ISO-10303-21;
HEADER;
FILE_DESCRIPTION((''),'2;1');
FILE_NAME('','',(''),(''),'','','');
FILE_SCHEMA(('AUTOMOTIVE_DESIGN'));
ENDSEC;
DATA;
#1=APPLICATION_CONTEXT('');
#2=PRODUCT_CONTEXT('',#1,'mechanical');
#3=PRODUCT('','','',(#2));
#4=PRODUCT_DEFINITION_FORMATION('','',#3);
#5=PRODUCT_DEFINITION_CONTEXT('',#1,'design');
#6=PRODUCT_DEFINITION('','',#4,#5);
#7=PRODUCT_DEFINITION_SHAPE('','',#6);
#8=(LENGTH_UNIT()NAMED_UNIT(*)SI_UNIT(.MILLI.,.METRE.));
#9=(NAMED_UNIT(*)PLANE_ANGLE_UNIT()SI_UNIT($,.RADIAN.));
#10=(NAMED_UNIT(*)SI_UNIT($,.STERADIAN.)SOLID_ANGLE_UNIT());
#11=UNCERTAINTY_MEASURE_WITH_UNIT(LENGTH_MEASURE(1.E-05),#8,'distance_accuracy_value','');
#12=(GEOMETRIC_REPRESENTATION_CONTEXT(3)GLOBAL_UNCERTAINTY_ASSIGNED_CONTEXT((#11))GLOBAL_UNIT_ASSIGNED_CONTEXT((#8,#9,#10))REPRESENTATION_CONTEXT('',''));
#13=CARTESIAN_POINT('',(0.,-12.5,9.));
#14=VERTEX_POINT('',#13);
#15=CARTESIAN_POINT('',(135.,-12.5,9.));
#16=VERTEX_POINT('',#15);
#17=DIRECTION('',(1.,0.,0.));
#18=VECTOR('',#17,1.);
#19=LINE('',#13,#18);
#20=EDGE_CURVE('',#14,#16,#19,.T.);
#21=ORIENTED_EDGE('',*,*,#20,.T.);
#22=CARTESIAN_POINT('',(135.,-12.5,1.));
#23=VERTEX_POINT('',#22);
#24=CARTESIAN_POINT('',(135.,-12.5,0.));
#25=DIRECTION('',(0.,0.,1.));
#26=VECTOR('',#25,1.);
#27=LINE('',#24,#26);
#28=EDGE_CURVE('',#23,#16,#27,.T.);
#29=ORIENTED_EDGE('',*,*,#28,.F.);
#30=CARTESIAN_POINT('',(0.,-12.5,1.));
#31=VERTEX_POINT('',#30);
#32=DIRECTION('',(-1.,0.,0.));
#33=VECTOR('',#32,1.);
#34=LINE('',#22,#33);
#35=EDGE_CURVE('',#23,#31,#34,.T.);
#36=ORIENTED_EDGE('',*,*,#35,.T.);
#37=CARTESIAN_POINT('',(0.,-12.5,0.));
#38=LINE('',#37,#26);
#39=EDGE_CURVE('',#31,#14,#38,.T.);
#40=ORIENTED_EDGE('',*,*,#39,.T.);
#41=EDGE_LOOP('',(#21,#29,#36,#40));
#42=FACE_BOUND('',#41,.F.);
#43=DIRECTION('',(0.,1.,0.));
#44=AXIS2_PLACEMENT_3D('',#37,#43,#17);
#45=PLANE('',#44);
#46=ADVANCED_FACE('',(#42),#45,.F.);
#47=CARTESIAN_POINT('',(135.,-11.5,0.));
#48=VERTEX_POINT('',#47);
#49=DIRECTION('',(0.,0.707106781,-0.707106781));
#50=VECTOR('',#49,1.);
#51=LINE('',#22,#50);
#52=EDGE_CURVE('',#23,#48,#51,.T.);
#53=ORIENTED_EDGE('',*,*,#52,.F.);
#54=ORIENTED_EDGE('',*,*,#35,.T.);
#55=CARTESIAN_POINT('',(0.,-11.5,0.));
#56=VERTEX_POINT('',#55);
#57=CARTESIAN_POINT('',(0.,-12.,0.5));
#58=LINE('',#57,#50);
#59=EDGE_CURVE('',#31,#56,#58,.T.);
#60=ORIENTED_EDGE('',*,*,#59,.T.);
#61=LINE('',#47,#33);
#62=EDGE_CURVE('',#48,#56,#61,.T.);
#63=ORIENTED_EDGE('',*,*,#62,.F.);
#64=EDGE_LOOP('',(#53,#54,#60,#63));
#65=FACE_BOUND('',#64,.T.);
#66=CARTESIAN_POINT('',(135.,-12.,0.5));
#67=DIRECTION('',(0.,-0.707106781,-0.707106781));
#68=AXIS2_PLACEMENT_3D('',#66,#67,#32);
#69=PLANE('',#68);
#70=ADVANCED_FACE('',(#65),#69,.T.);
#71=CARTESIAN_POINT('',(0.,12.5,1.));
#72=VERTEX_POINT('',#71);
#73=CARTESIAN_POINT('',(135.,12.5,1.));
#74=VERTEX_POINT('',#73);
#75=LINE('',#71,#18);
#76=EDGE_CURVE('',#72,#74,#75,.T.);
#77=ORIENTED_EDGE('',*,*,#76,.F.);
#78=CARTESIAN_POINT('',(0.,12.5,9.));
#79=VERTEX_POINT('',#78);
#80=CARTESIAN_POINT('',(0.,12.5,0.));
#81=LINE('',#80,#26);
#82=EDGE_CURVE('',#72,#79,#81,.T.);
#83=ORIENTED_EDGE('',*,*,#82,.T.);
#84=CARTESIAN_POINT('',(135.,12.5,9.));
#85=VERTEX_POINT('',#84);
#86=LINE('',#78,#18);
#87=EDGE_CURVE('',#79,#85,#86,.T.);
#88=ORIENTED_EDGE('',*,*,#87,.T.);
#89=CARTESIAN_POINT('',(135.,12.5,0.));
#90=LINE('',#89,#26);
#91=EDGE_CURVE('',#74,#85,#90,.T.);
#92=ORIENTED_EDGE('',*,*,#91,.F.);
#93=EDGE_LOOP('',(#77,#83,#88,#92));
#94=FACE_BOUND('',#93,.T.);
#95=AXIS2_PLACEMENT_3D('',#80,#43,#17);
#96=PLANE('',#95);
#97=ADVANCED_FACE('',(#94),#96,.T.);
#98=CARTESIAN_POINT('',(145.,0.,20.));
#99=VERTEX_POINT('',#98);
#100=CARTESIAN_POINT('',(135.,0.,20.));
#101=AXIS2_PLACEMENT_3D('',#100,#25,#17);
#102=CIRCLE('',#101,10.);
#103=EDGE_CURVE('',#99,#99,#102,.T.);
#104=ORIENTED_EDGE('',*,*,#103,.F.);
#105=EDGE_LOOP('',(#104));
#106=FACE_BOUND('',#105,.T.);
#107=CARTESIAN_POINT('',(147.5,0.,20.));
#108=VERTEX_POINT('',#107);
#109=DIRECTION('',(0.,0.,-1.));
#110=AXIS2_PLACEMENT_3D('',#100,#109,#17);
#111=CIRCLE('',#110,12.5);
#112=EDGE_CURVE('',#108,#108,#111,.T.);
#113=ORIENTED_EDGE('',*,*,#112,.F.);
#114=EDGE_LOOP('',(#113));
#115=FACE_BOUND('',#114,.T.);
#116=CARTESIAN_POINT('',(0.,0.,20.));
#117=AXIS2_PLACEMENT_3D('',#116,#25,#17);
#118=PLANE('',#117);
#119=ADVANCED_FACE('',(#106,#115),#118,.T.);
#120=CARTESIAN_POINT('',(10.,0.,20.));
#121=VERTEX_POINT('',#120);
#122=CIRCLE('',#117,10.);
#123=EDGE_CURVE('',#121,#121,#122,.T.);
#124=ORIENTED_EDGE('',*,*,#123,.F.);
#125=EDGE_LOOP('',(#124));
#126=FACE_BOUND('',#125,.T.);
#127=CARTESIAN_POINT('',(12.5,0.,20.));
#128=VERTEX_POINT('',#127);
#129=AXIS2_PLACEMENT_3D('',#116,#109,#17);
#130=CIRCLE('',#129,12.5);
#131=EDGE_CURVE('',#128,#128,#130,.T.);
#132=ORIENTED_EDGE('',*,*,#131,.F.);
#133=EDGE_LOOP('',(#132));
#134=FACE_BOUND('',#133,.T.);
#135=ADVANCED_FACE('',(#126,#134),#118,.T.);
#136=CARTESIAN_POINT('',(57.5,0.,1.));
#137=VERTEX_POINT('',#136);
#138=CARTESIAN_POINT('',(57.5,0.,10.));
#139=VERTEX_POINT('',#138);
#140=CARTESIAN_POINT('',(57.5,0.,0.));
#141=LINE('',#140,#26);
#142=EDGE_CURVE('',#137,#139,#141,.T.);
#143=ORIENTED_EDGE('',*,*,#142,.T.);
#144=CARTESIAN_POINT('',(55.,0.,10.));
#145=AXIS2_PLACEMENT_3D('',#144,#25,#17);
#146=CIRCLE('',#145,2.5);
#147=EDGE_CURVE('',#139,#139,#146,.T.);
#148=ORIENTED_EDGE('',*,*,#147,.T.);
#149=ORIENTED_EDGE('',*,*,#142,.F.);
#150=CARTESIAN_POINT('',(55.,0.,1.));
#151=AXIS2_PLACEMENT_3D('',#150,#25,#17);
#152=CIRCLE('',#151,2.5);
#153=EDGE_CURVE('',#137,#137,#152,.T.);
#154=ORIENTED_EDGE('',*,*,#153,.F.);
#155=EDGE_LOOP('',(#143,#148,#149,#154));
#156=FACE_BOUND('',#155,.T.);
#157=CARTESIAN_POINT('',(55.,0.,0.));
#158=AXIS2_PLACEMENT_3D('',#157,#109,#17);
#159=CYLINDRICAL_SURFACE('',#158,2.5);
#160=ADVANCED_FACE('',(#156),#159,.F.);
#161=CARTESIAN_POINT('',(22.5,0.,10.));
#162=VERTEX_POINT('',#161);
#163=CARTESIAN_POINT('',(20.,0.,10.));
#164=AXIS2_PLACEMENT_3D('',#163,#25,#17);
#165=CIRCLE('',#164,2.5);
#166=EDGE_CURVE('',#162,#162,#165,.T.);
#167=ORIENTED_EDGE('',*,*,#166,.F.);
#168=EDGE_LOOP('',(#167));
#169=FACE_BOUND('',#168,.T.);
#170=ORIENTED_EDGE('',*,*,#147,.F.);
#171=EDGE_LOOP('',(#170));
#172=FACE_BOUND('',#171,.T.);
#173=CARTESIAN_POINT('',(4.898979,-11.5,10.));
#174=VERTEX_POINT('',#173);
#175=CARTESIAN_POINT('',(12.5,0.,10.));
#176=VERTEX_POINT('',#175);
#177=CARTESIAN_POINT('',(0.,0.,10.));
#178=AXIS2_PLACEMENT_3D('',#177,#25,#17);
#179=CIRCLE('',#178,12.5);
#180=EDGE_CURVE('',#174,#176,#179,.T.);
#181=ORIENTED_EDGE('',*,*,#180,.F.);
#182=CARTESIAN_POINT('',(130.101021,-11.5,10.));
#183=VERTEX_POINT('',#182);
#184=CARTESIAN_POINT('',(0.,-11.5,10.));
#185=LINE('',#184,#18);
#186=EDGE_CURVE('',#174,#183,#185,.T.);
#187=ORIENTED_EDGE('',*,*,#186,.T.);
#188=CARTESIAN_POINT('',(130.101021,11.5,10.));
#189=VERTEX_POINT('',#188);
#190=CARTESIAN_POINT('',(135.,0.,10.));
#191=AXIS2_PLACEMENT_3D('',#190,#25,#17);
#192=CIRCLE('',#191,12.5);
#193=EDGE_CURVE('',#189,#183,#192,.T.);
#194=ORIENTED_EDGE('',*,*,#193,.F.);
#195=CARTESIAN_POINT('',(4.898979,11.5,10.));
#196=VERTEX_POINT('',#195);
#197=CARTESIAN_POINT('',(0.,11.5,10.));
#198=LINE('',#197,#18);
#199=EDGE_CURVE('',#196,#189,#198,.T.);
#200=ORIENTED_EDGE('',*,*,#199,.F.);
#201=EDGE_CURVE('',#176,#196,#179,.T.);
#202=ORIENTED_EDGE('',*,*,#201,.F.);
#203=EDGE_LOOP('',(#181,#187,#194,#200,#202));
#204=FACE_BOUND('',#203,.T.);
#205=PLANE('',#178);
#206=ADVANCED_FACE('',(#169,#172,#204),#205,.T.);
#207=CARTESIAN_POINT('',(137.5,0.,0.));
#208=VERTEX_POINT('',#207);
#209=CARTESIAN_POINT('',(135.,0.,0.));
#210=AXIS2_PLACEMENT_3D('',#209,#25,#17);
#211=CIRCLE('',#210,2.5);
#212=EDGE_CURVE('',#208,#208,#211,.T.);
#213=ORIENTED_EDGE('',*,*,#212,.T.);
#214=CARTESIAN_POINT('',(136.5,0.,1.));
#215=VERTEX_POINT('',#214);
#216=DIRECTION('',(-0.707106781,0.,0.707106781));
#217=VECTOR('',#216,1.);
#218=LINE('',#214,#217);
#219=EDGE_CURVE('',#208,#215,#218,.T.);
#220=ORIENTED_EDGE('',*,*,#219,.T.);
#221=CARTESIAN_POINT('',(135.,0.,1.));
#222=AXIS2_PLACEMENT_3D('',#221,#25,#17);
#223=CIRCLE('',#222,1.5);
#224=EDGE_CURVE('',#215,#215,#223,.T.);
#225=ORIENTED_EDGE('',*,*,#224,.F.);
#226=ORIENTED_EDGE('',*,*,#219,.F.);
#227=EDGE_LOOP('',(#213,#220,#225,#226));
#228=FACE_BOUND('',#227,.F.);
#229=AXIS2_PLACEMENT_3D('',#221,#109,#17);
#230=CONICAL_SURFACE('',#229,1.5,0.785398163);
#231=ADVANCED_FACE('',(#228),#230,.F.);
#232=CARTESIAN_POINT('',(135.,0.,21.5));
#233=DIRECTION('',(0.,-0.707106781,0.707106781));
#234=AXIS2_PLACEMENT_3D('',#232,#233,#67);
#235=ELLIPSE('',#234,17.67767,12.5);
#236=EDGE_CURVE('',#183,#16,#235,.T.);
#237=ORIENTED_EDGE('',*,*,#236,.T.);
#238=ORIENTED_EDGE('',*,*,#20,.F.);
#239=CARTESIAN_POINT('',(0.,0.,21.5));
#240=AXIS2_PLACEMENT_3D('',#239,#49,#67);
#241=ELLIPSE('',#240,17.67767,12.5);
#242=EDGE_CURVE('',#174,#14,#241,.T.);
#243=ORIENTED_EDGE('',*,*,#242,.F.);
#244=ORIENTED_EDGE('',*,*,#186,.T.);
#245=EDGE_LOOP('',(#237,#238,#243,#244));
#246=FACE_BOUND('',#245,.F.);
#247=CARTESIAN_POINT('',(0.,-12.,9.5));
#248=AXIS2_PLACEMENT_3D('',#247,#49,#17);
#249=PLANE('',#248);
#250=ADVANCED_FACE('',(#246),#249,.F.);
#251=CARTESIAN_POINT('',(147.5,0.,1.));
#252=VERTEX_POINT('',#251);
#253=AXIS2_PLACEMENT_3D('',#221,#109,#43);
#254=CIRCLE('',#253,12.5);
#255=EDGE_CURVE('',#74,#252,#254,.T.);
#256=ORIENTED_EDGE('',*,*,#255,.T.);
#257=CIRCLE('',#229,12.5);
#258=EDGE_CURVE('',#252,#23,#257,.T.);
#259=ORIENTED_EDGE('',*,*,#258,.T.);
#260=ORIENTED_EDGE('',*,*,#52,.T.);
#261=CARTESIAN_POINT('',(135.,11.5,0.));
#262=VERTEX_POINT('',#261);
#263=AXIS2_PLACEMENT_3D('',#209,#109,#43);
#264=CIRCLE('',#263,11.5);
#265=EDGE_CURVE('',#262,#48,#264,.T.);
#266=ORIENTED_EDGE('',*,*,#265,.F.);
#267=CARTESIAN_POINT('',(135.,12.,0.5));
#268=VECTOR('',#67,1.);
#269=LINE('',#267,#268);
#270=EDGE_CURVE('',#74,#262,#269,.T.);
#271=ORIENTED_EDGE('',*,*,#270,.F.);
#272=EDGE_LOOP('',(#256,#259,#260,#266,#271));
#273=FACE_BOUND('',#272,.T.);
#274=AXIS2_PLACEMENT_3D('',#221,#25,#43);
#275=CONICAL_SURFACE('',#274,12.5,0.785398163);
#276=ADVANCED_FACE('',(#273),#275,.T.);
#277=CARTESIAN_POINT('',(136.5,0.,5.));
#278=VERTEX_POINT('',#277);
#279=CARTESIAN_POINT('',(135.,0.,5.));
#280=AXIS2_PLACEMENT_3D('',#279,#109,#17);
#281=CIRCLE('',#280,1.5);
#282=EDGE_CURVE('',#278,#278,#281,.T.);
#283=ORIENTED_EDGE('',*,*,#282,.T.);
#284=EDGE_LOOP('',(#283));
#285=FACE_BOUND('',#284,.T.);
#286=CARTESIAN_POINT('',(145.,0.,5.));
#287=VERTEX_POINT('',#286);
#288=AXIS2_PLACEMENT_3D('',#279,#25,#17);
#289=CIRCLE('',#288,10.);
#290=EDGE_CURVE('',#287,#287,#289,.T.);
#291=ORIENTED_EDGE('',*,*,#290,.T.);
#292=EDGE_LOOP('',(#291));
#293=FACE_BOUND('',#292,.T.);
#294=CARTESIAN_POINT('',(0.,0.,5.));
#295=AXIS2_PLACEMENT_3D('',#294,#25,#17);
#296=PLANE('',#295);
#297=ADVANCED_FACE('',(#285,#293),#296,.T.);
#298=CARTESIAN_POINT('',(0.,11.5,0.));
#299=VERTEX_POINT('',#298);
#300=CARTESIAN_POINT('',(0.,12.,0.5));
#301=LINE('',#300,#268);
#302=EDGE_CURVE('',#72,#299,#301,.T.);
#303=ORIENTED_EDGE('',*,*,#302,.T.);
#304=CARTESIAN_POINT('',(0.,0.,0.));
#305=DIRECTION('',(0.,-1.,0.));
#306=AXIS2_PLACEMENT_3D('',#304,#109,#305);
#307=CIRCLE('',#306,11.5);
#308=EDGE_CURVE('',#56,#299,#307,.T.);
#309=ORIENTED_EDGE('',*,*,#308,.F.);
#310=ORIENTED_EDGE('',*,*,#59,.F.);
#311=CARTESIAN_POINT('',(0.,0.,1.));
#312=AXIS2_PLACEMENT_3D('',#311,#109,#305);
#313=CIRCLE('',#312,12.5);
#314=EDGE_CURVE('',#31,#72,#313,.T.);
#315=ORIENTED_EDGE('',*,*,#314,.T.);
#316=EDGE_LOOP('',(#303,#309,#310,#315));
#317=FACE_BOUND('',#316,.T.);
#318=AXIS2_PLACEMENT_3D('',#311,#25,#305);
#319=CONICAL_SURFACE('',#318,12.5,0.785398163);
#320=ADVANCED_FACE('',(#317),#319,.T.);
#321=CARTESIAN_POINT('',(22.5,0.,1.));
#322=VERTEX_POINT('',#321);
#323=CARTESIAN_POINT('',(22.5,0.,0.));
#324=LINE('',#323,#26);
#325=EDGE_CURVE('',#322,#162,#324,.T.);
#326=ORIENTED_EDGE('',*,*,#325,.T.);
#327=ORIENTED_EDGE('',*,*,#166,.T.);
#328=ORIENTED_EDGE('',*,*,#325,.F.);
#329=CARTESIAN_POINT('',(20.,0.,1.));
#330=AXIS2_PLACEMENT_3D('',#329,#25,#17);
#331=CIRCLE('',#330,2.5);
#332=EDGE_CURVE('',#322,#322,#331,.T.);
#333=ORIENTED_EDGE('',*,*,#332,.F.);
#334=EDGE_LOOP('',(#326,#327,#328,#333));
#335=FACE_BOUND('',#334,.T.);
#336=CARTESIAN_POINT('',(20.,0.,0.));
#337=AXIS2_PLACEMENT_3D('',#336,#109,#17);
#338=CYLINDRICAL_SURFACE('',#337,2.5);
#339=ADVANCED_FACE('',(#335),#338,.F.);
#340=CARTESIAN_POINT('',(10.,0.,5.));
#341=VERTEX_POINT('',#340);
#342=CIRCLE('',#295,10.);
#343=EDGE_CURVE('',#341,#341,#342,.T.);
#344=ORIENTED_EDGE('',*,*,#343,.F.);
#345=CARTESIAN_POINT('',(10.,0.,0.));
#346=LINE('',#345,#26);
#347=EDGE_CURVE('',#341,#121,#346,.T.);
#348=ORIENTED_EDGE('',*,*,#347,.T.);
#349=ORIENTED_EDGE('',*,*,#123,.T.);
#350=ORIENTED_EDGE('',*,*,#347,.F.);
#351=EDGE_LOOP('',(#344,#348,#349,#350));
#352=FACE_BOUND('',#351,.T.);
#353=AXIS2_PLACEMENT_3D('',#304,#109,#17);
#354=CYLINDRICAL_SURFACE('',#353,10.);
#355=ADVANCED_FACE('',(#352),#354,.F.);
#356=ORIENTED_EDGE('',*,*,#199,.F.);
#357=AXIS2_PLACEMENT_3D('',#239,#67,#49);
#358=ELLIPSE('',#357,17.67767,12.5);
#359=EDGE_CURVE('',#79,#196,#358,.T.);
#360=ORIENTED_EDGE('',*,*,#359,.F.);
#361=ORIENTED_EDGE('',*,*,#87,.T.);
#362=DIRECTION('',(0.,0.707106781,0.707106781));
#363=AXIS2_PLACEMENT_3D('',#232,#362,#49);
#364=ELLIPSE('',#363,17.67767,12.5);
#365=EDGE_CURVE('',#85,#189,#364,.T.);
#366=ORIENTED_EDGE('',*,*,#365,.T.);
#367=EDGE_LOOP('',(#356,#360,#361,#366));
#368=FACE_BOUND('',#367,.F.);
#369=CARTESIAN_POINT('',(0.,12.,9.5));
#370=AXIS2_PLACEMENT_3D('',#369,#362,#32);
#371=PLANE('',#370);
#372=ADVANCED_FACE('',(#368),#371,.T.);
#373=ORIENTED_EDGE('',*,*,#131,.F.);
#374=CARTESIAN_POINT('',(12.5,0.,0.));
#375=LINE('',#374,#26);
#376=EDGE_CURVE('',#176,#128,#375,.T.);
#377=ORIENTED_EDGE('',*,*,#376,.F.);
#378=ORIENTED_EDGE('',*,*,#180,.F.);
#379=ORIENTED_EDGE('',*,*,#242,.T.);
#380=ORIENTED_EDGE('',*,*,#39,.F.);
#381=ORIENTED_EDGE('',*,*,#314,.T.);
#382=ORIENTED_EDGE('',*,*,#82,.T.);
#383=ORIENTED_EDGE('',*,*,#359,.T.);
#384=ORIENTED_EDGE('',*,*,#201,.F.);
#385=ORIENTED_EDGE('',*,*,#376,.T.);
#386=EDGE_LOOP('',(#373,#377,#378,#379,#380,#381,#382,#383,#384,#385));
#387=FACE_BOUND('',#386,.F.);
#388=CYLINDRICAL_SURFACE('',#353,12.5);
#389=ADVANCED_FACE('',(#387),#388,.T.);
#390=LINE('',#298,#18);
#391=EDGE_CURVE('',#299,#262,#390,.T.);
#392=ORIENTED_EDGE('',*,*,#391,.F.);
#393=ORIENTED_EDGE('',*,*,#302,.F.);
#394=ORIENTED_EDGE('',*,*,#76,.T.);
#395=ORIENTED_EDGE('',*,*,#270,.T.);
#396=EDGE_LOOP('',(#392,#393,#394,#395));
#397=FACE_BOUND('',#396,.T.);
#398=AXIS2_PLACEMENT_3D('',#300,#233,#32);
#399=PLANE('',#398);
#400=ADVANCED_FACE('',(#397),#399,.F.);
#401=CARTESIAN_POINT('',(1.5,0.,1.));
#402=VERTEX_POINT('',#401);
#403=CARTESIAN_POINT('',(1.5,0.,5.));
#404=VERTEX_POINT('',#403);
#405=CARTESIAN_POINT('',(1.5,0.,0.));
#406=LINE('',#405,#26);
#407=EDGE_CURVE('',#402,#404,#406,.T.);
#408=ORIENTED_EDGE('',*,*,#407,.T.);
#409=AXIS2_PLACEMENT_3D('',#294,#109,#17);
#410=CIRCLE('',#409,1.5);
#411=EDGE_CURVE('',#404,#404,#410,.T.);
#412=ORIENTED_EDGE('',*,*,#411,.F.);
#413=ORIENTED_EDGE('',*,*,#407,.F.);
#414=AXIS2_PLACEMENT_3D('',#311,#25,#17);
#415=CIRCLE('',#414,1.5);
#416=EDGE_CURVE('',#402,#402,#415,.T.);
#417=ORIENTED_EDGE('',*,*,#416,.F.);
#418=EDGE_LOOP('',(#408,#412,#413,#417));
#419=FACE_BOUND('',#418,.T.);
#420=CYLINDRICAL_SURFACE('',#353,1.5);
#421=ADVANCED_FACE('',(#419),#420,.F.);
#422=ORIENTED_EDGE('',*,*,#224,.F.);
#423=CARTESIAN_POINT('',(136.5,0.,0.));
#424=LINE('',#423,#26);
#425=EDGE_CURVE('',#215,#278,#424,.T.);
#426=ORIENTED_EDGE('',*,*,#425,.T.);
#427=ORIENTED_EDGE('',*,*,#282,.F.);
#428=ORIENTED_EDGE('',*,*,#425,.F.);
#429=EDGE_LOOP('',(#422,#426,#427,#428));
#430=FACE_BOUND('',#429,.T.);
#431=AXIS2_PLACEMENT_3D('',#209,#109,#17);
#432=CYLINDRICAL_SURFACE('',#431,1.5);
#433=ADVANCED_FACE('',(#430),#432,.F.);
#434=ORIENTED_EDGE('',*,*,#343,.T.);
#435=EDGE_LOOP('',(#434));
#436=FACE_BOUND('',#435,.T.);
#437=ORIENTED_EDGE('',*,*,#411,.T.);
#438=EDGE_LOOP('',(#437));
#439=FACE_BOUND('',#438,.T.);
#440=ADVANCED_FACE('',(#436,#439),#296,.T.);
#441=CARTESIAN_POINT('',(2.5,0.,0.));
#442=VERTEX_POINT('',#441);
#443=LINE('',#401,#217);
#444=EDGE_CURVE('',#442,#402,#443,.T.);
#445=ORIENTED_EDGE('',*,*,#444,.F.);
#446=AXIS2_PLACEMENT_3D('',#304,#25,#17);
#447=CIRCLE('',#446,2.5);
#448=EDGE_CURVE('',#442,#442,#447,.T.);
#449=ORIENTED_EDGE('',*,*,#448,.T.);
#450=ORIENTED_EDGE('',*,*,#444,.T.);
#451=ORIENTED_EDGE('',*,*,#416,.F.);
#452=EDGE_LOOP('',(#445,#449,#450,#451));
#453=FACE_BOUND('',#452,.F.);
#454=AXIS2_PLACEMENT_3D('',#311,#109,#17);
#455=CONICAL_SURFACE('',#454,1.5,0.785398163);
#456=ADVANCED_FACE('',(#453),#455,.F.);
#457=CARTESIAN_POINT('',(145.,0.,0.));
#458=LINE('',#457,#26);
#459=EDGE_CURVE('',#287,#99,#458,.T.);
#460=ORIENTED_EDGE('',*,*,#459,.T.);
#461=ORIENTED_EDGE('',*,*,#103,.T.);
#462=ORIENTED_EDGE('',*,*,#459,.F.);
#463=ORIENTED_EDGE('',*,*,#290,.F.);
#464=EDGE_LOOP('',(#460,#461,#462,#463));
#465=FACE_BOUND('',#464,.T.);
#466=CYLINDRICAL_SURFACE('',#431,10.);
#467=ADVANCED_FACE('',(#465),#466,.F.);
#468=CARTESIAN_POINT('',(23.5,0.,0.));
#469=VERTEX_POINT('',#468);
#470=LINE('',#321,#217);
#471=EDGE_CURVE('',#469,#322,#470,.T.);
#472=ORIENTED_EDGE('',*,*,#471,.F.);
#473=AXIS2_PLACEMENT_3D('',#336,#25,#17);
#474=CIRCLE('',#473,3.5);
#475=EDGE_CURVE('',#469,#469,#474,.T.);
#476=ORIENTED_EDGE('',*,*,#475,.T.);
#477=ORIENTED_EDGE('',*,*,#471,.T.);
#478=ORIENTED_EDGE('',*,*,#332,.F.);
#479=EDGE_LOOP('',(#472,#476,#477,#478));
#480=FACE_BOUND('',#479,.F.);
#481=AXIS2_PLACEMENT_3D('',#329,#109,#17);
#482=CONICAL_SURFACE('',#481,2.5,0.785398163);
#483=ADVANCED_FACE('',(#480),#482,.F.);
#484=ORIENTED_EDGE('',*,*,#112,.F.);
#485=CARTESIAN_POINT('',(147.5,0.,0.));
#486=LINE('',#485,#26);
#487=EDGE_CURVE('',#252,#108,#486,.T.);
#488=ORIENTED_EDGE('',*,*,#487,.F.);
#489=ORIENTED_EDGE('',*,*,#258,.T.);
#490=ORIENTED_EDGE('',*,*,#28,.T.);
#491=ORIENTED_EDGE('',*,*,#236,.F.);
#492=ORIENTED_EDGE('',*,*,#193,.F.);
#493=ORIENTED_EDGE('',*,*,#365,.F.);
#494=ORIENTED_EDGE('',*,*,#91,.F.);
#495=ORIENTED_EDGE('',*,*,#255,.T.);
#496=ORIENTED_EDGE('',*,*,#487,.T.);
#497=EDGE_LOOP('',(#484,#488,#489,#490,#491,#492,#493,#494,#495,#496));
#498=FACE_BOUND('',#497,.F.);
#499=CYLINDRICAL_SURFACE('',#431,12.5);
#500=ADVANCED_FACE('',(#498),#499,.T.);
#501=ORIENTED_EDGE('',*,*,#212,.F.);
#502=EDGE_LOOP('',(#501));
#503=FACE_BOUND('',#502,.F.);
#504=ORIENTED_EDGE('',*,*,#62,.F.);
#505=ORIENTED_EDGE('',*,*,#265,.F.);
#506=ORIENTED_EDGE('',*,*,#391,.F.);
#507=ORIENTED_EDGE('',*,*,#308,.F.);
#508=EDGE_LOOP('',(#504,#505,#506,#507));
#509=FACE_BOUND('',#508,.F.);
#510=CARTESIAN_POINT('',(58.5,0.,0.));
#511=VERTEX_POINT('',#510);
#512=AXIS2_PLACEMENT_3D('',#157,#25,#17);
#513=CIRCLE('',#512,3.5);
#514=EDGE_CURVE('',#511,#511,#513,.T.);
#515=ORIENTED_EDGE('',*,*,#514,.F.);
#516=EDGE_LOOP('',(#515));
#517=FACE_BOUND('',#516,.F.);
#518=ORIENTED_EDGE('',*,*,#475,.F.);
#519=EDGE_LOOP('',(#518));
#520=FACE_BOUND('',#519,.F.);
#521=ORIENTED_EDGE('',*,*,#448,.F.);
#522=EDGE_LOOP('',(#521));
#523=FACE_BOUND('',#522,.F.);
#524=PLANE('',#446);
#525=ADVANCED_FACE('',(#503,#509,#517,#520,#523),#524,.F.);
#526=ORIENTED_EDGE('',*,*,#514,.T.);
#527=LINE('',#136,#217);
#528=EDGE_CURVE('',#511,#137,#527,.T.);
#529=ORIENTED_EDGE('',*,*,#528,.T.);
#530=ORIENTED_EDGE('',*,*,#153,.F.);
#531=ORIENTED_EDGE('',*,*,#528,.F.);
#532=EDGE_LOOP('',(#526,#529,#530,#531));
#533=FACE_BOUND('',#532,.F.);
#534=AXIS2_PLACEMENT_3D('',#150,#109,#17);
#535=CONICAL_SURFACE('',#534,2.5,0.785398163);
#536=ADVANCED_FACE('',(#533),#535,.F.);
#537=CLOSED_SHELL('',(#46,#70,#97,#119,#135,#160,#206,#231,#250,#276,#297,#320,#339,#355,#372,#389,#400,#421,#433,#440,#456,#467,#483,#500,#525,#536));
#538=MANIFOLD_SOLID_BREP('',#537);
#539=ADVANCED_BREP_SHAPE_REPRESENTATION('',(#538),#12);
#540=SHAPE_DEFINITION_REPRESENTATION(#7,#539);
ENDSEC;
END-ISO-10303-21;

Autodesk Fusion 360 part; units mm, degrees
sketch "Sketch1" plane through (0, 0, 0) normal (0, 0, 1) x (1, 0, 0)
  circle A0 centre (0, 0) radius 10
  circle A1 centre (0, 0) radius 12.5
  line L0 (0, 0) -> (135, 0) construction
  circle A2 centre (135, 0) radius 10
  circle A3 centre (135, 0) radius 12.5
  line L1 (0, 12.5) -> (135, 12.5)
  line L2 (0, -12.5) -> (135, -12.5)
  circle A4 centre (20, 0) radius 2.5
  circle A5 centre (55, 0) radius 2.5
  circle A6 centre (0, 0) radius 1.5
  circle A7 centre (135, 0) radius 1.5
  dimension "d1" = 20
  dimension "d2" = 25
  dimension "d3" = 20
  dimension "d5" = 135
  dimension "d6" = 5
  dimension "d7" = 5
  dimension "d8" = 35
  dimension "d9" = 20
  dimension "d16" = 3
  dimension "d17" = 3
extrude "Extrude1" add sketch "Sketch1" along normal blind 10 contours A1 A3 L1 L2 makes body 1
extrude "Extrude2" add sketch "Sketch1" along normal blind 5 separate body contours A0 | A2 | A6 | A7 makes body 2 at (9.9876, -0.4985, 3.3333) makes body 3 at (131.9968, 2.3092, 0)
extrude "Extrude3" add sketch "Sketch1" along normal blind 20 contours A1 | A3 bodies 1 2 3
extrude "Extrude4" cut sketch "Sketch1" along normal through all contours A6 | A7 bodies 1
chamfer "Chamfer1" distance 1 angle 45 1 faces at (108.6406, -4.5163, 0) on bodies 1
chamfer "Chamfer2" distance 1 angle 45 2 edges at (67.5, 12.5, 10) (67.5, -12.5, 10) on bodies 1
